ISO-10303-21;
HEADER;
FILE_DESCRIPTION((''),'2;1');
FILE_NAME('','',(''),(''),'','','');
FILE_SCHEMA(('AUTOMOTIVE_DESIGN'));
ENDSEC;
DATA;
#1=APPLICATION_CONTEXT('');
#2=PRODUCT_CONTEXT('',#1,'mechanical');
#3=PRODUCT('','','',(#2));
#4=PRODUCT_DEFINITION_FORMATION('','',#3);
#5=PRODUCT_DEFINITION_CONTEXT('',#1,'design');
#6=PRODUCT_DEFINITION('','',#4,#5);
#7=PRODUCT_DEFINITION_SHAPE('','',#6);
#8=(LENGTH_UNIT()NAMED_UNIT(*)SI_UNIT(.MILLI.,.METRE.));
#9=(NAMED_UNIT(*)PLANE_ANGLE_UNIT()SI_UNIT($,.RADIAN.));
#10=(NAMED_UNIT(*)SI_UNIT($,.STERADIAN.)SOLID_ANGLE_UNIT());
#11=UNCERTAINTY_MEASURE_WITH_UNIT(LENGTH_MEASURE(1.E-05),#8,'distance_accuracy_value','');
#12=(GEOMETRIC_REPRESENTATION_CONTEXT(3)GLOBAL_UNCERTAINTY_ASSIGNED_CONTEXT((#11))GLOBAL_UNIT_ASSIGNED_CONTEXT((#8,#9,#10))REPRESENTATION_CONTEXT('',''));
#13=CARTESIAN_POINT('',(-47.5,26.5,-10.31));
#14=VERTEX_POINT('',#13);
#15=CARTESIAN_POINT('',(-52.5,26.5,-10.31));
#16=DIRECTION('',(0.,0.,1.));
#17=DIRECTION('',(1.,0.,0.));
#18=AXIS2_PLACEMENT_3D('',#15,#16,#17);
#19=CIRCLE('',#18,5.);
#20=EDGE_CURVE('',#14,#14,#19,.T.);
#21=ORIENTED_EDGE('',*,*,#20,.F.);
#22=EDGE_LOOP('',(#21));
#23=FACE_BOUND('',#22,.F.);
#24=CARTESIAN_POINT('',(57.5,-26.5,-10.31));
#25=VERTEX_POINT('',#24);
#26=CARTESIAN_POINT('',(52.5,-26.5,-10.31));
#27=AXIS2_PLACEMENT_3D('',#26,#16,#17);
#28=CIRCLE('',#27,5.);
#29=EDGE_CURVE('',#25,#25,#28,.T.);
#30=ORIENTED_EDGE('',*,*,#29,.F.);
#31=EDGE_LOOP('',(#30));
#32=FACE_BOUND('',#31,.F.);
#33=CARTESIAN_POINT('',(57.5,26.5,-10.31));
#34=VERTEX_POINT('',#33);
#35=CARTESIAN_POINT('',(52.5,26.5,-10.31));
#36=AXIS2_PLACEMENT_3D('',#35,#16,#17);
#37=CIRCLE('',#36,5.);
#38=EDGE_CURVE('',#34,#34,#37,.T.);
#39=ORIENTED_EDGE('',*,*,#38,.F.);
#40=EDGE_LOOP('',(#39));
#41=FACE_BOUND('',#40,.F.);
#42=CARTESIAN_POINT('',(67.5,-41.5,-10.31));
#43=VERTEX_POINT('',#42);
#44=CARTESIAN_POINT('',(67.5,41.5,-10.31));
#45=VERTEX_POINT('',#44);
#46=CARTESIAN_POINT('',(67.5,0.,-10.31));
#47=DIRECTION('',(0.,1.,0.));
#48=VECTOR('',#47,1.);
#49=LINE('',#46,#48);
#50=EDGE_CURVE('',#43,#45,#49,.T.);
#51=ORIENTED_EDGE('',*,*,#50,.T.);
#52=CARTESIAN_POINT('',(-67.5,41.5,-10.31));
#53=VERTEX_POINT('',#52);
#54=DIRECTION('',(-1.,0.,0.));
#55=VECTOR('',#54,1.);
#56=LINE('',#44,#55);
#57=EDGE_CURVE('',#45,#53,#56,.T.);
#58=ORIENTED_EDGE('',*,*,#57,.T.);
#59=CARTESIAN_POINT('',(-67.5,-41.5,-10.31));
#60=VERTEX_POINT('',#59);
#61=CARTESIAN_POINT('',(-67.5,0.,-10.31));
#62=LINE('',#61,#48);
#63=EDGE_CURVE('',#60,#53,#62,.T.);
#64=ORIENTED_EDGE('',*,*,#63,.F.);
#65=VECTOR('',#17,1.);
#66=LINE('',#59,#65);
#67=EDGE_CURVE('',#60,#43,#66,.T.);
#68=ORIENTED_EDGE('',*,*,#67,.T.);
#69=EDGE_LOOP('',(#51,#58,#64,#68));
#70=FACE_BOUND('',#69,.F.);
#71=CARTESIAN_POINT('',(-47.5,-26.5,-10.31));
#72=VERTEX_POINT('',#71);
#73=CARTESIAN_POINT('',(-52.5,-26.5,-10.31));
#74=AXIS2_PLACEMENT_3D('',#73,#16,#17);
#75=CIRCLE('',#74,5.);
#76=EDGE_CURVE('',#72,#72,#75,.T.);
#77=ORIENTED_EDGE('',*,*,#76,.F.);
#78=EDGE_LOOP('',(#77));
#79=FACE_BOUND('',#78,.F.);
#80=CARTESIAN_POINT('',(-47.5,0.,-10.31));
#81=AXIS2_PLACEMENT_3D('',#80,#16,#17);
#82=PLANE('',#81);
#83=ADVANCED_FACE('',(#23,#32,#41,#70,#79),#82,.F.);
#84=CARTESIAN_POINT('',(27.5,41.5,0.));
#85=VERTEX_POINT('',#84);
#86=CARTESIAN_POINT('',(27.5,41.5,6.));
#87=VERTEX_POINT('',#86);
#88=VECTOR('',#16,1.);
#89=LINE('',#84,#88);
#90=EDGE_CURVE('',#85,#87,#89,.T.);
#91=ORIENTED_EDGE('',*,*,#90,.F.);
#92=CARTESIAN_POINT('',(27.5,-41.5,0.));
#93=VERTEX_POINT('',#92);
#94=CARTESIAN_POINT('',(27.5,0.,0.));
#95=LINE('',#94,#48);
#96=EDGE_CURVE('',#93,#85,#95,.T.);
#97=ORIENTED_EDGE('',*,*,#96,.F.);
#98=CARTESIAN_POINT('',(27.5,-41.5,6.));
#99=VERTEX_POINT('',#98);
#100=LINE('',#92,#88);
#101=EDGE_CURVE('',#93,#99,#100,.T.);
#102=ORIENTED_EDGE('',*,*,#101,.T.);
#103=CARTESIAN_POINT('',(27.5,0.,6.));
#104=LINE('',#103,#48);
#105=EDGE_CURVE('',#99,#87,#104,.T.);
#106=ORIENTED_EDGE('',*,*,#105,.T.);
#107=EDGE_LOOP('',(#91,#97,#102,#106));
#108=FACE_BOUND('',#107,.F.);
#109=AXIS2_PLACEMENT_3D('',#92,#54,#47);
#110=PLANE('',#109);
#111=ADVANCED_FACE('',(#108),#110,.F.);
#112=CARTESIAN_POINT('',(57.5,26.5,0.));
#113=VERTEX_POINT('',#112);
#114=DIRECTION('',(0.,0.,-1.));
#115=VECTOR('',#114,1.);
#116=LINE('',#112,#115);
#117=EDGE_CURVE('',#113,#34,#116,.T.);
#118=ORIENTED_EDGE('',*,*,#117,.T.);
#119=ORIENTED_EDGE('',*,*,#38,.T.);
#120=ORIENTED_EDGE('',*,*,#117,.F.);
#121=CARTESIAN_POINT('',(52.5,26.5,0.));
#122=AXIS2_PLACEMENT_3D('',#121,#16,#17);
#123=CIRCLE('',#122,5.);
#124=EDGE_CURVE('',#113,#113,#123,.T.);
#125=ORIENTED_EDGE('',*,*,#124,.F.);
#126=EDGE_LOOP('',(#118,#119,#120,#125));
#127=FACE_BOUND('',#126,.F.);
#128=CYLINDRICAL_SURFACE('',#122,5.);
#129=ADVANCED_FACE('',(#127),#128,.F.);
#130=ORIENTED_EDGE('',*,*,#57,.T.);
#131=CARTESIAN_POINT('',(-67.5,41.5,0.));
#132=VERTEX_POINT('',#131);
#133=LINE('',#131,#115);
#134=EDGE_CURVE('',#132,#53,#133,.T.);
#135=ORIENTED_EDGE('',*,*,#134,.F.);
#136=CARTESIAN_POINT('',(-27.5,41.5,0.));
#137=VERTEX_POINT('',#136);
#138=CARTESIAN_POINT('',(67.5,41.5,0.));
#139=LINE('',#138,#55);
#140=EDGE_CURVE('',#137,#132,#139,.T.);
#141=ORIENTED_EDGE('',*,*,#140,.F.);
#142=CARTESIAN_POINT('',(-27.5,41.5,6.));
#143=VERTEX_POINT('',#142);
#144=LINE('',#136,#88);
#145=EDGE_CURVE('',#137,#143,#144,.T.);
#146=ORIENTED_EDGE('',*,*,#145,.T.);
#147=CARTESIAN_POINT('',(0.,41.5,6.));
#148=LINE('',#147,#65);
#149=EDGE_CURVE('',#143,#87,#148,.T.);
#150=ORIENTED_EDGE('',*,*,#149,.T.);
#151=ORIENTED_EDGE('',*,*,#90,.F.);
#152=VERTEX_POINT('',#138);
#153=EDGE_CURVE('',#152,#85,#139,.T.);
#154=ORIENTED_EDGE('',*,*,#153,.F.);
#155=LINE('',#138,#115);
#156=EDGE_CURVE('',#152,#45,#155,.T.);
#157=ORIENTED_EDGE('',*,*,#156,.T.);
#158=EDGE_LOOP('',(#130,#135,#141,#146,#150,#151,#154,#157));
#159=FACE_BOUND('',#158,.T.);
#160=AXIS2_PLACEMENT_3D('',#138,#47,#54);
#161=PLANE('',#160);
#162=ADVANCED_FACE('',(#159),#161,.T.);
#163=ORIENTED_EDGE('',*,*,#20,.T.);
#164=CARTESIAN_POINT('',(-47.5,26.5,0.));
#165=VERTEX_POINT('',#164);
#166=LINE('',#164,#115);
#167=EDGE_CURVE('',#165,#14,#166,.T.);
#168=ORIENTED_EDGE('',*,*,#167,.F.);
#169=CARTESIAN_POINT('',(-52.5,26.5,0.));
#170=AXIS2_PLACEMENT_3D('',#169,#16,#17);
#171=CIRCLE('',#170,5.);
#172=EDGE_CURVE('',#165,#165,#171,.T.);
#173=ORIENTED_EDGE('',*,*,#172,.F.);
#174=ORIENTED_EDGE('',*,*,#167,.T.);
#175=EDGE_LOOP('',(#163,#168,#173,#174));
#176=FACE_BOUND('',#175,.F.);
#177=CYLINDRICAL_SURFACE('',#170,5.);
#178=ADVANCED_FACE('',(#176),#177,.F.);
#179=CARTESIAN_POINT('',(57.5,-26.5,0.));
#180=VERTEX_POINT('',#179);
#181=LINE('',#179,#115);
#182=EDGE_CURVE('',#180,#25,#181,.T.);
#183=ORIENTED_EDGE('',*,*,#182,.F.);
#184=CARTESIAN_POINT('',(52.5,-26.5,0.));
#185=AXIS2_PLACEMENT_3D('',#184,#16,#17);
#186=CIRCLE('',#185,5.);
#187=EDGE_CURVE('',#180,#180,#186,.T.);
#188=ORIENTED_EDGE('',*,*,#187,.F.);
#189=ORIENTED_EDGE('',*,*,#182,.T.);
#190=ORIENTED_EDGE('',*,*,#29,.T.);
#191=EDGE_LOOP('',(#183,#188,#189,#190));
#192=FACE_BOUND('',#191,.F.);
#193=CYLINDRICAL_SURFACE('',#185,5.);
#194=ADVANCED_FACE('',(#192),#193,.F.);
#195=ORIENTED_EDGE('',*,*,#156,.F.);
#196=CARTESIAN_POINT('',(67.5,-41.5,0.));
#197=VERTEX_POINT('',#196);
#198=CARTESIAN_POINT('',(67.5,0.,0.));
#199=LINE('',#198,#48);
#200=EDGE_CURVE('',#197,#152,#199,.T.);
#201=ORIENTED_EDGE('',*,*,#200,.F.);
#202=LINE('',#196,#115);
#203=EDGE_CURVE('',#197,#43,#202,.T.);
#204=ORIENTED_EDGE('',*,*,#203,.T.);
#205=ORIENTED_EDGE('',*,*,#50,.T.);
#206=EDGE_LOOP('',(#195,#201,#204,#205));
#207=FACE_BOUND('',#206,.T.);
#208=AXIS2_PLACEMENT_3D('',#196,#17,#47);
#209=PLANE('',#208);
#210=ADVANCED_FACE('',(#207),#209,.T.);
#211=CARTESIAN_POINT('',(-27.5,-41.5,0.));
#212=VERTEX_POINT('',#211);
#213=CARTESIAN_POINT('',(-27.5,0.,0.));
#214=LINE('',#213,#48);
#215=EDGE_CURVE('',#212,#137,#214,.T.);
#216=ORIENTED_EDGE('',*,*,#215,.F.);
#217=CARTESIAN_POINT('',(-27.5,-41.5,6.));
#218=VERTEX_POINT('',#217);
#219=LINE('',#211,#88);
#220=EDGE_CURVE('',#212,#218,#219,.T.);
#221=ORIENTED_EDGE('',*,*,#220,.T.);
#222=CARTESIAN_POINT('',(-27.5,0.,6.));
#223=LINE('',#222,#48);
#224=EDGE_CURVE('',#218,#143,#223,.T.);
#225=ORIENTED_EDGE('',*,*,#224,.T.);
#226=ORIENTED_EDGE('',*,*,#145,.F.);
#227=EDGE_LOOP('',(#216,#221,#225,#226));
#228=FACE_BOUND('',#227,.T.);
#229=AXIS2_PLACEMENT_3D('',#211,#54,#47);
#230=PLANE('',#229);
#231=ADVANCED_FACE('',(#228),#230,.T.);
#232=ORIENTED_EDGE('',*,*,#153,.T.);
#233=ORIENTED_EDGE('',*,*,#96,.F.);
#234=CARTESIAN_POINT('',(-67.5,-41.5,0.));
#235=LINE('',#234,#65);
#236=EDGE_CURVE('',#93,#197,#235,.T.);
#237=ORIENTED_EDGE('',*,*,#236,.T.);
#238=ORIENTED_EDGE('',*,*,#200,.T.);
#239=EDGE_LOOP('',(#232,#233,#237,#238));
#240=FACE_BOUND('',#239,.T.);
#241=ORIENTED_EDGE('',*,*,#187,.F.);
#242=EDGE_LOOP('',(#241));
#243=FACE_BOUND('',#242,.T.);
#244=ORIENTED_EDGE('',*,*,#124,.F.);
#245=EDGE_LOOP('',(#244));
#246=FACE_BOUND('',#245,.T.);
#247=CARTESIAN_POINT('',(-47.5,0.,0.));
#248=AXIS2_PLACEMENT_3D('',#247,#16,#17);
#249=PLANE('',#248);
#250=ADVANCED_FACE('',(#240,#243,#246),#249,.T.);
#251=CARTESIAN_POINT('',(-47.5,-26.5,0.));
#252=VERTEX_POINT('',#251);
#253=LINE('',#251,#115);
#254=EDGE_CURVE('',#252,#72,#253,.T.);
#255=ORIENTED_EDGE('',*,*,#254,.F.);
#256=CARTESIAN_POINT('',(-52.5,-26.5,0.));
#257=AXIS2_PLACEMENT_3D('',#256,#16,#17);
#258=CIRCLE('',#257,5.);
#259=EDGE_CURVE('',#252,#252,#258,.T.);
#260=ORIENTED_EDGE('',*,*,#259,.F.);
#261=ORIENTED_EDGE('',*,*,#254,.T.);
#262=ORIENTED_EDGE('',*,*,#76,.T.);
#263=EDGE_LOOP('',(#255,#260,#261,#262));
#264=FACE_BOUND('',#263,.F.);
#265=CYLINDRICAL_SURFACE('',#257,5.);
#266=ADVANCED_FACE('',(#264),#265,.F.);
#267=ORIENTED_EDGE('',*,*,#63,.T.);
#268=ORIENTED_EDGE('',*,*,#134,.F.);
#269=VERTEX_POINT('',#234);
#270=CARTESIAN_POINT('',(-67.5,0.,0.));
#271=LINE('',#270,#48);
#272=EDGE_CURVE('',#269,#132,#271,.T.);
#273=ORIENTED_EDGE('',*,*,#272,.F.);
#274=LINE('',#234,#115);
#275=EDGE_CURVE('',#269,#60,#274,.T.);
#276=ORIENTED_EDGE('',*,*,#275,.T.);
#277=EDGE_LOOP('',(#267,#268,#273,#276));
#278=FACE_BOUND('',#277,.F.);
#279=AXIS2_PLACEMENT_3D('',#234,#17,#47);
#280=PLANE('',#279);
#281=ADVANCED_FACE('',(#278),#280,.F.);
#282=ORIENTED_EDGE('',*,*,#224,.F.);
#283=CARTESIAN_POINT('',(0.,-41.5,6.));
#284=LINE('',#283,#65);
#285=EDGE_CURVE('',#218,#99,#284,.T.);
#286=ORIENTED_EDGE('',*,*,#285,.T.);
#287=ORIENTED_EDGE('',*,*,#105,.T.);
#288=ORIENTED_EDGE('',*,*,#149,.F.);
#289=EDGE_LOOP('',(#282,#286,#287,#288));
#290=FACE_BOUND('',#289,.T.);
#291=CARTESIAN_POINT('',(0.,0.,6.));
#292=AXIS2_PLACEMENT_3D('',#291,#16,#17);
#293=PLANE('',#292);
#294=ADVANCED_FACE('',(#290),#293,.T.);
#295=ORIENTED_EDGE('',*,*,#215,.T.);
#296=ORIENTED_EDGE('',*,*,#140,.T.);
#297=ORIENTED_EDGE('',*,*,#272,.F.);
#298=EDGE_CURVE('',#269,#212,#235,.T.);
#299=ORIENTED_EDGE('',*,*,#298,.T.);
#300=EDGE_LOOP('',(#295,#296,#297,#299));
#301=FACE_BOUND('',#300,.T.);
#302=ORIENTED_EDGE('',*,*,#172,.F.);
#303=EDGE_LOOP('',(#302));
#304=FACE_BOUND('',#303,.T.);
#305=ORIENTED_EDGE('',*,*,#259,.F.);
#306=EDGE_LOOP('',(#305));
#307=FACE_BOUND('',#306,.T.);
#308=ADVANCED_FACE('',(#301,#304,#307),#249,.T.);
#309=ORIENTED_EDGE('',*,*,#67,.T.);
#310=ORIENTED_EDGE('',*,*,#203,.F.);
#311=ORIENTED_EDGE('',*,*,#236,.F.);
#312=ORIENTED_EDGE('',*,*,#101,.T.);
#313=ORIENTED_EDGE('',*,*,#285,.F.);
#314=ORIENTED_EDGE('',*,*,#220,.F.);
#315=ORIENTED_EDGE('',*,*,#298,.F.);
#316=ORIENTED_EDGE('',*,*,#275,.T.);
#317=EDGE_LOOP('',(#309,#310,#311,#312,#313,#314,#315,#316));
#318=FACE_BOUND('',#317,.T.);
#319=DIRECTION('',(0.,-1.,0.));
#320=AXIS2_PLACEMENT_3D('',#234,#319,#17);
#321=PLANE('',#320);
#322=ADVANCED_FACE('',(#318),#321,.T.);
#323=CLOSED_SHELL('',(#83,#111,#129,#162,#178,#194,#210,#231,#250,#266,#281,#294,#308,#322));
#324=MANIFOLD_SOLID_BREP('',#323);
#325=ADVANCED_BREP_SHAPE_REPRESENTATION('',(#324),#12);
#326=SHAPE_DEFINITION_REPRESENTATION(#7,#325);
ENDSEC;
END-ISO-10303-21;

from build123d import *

# Parameters (mm, degrees)
F0_W     = 40
F0_H     = 83
F0_W_2   = 55
F1_DEPTH = 10.31
F2_R     = 5
F3_DEPTH = 10.311
F4_DEPTH = 6


with BuildPart() as f1:
    # F0 (on Top) → F1 (new body)
    with BuildSketch(Plane.XY):
        with Locations((-47.5, 0)):
            Rectangle(F0_W, F0_H)
        Rectangle(F0_W_2, F0_H)
        with Locations((47.5, 0)):
            Rectangle(F0_W, F0_H)
    extrude(amount=-F1_DEPTH)

    # F2 (on face) → F3 (cut, through all)
    with BuildSketch(Plane.XY):
        with Locations((52.5, 26.5)):
            Circle(F2_R)
        with Locations((52.5, -26.5)):
            Circle(F2_R)
        with Locations((-52.5, 26.5)):
            Circle(F2_R)
        with Locations((-52.5, -26.5)):
            Circle(F2_R)
    extrude(amount=-F3_DEPTH, mode=Mode.SUBTRACT)

    # F0 (on Top) → F4 (join)
    with BuildSketch(Plane.XY):
        Rectangle(F0_W_2, F0_H)
    extrude(amount=F4_DEPTH)


solid = f1.part
